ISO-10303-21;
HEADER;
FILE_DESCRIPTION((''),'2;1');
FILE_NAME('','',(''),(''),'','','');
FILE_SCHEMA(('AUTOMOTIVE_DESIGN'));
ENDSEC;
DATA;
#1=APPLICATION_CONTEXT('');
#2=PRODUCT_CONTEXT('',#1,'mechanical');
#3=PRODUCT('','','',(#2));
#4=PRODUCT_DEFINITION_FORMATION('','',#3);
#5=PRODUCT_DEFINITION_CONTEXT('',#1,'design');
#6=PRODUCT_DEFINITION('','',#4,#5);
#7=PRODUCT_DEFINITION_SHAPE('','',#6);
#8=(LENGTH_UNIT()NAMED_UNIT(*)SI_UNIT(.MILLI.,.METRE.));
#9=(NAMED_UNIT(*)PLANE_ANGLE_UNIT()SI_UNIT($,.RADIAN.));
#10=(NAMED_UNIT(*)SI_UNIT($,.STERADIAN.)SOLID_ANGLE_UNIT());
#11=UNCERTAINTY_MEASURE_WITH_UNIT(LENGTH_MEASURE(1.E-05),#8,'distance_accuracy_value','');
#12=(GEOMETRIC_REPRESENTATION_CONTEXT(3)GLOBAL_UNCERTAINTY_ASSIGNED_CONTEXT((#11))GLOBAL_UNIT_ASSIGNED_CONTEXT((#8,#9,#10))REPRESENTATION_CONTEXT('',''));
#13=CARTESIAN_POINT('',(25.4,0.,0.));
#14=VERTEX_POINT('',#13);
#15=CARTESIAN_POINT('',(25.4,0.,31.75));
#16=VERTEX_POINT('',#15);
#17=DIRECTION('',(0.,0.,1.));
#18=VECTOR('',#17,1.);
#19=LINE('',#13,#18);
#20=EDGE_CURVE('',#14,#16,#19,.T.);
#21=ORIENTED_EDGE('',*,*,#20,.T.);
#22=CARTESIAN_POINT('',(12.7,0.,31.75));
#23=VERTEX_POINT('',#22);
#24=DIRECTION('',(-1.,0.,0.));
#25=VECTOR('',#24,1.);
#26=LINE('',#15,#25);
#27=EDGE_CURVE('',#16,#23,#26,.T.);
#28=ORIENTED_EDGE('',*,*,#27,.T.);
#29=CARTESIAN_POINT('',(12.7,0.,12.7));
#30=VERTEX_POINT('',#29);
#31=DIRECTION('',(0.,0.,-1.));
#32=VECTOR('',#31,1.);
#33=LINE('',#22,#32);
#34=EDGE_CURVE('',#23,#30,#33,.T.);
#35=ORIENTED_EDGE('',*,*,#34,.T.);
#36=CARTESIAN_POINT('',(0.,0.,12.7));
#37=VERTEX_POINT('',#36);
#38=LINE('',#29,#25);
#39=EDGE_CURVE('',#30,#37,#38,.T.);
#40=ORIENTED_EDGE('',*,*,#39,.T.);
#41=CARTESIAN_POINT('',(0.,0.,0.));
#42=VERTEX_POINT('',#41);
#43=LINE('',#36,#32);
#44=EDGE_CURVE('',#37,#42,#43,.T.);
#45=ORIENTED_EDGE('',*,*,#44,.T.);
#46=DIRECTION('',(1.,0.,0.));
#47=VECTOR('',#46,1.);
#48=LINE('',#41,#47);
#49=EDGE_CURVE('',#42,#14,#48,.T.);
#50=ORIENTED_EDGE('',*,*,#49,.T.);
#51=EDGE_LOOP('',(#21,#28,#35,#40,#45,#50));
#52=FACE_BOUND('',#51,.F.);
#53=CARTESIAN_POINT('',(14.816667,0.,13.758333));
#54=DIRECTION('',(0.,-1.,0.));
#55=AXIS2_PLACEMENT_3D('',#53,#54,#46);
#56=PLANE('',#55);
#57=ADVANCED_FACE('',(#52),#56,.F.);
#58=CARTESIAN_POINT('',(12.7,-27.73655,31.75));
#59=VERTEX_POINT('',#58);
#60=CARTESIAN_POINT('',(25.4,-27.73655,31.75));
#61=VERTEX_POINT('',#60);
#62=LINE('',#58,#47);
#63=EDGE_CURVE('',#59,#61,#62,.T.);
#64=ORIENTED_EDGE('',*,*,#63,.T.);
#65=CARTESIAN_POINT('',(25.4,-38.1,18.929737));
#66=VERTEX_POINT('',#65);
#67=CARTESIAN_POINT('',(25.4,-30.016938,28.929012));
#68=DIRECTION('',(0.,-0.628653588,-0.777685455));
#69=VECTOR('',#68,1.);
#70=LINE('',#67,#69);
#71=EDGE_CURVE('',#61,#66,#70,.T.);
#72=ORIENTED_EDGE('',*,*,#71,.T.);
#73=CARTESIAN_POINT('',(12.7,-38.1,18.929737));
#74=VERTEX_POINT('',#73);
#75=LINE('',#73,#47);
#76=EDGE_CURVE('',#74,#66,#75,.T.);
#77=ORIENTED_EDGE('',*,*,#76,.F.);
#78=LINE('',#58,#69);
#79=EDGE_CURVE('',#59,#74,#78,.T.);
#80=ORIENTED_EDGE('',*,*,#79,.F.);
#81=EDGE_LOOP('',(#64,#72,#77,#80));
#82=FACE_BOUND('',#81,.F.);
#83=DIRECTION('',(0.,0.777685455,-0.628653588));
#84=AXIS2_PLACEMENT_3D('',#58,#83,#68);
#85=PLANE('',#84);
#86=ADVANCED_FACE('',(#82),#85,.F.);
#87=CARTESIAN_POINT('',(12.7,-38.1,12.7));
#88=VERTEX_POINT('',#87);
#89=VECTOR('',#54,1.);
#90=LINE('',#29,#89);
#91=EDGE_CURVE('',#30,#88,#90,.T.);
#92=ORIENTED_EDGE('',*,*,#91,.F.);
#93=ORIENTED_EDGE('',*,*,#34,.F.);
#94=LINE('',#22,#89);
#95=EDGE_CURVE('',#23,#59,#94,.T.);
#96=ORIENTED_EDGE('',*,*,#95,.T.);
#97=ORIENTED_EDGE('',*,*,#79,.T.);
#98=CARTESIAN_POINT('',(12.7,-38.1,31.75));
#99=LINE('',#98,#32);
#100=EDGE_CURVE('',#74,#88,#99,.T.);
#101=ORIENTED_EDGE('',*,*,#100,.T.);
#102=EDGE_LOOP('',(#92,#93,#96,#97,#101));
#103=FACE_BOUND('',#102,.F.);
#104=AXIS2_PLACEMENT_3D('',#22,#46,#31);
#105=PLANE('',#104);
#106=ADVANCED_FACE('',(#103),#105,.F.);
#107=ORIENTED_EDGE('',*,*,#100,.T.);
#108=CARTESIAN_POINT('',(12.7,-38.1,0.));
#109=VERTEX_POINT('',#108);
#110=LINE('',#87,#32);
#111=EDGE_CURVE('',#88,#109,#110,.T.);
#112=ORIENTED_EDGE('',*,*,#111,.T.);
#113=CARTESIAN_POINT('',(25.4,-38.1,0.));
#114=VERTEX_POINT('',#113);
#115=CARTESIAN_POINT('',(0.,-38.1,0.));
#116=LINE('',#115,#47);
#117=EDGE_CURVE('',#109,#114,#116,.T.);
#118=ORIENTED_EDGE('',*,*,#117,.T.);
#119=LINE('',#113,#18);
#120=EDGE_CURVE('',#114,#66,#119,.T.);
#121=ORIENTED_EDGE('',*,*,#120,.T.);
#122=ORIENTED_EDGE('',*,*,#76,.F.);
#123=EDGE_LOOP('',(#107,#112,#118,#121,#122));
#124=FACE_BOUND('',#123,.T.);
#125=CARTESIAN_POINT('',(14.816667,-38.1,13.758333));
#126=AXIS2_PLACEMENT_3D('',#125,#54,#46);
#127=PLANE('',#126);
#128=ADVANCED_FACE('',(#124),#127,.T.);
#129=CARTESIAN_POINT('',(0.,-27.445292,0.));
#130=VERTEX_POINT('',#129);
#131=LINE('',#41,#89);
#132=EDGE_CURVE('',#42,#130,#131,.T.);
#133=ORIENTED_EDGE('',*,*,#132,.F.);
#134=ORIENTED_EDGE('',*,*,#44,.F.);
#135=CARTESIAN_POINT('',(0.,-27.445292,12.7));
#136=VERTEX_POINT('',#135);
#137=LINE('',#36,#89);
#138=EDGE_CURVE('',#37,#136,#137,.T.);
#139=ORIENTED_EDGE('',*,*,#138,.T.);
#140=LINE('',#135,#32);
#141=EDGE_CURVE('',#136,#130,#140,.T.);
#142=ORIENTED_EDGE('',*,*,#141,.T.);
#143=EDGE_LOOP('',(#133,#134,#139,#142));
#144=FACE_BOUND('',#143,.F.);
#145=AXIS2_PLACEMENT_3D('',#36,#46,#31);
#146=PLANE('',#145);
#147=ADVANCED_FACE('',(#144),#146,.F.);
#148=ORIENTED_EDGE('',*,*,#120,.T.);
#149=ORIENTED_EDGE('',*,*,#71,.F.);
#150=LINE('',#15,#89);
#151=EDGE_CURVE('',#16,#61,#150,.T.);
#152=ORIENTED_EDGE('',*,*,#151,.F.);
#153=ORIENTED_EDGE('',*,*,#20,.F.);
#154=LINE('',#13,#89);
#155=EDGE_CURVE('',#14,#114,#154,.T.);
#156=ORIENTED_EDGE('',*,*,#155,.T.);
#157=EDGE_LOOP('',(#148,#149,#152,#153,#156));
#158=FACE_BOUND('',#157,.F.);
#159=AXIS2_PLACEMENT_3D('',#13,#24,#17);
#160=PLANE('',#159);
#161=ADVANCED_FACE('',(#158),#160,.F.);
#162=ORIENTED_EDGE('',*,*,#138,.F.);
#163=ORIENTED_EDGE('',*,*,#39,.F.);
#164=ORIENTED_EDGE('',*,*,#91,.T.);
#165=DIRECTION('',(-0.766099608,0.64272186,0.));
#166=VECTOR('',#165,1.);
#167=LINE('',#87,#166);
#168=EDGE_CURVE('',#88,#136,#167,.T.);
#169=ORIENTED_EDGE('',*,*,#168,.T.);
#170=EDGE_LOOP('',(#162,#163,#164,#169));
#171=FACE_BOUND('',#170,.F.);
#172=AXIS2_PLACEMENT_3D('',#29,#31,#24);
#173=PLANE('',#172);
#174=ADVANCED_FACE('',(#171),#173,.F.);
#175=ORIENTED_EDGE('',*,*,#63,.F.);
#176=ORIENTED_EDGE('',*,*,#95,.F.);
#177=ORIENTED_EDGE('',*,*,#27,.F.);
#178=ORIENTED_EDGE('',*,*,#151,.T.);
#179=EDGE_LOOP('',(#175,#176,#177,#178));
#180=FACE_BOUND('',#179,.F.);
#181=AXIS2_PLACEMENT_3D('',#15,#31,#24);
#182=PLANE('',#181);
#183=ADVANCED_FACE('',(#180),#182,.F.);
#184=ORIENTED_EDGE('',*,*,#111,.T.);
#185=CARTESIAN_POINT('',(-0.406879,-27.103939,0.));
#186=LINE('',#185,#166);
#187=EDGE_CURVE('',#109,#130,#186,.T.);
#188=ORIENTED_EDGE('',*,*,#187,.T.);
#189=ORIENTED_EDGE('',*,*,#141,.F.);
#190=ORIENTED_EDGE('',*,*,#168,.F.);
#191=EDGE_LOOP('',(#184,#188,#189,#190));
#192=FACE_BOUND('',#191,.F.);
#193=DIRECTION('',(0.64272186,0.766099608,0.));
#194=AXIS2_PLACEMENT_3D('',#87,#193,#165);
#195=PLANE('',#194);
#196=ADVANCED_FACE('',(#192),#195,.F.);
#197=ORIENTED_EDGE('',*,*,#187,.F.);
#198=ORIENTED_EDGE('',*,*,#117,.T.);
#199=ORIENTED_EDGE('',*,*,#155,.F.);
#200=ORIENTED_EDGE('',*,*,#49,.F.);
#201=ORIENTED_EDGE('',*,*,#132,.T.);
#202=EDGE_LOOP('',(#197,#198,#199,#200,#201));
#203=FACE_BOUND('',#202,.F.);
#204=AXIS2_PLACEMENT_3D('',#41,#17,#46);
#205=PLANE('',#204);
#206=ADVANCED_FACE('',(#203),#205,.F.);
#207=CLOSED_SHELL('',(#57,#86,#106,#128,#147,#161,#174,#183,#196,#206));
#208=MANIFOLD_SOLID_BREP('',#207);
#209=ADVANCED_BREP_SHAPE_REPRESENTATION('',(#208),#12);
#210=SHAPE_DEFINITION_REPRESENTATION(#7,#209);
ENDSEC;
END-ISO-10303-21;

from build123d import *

# Parameters (mm, degrees)
F1_DEPTH = 38.1
F3_DEPTH = 25.4
F5_DEPTH = 25.4


with BuildPart() as f1:
    # F0 (on Front) → F1 (new body)
    with BuildSketch(Plane.XZ):
        Polygon((0, 12.7), (0, 0), (25.4, 0), (25.4, 31.75), (12.7, 31.75), (12.7, 12.7), align=None)
    extrude(amount=F1_DEPTH)

    # F2 (on face) → F3 (cut)
    with BuildSketch(Plane.XY.offset(12.7)):
        Polygon((0, -38.1), (12.7, -38.1), (0, -27.445292), align=None)
    extrude(amount=-F3_DEPTH, mode=Mode.SUBTRACT)

    # F4 (on face) → F5 (cut)
    with BuildSketch(Plane(origin=(12.7, 0, 0), x_dir=(0, -1, 0), z_dir=(-1, 0, 0))):
        Polygon((27.73655, 31.75), (38.1, 18.929737), (38.1, 31.75), align=None)
    extrude(amount=-F5_DEPTH, mode=Mode.SUBTRACT)


solid = f1.part
